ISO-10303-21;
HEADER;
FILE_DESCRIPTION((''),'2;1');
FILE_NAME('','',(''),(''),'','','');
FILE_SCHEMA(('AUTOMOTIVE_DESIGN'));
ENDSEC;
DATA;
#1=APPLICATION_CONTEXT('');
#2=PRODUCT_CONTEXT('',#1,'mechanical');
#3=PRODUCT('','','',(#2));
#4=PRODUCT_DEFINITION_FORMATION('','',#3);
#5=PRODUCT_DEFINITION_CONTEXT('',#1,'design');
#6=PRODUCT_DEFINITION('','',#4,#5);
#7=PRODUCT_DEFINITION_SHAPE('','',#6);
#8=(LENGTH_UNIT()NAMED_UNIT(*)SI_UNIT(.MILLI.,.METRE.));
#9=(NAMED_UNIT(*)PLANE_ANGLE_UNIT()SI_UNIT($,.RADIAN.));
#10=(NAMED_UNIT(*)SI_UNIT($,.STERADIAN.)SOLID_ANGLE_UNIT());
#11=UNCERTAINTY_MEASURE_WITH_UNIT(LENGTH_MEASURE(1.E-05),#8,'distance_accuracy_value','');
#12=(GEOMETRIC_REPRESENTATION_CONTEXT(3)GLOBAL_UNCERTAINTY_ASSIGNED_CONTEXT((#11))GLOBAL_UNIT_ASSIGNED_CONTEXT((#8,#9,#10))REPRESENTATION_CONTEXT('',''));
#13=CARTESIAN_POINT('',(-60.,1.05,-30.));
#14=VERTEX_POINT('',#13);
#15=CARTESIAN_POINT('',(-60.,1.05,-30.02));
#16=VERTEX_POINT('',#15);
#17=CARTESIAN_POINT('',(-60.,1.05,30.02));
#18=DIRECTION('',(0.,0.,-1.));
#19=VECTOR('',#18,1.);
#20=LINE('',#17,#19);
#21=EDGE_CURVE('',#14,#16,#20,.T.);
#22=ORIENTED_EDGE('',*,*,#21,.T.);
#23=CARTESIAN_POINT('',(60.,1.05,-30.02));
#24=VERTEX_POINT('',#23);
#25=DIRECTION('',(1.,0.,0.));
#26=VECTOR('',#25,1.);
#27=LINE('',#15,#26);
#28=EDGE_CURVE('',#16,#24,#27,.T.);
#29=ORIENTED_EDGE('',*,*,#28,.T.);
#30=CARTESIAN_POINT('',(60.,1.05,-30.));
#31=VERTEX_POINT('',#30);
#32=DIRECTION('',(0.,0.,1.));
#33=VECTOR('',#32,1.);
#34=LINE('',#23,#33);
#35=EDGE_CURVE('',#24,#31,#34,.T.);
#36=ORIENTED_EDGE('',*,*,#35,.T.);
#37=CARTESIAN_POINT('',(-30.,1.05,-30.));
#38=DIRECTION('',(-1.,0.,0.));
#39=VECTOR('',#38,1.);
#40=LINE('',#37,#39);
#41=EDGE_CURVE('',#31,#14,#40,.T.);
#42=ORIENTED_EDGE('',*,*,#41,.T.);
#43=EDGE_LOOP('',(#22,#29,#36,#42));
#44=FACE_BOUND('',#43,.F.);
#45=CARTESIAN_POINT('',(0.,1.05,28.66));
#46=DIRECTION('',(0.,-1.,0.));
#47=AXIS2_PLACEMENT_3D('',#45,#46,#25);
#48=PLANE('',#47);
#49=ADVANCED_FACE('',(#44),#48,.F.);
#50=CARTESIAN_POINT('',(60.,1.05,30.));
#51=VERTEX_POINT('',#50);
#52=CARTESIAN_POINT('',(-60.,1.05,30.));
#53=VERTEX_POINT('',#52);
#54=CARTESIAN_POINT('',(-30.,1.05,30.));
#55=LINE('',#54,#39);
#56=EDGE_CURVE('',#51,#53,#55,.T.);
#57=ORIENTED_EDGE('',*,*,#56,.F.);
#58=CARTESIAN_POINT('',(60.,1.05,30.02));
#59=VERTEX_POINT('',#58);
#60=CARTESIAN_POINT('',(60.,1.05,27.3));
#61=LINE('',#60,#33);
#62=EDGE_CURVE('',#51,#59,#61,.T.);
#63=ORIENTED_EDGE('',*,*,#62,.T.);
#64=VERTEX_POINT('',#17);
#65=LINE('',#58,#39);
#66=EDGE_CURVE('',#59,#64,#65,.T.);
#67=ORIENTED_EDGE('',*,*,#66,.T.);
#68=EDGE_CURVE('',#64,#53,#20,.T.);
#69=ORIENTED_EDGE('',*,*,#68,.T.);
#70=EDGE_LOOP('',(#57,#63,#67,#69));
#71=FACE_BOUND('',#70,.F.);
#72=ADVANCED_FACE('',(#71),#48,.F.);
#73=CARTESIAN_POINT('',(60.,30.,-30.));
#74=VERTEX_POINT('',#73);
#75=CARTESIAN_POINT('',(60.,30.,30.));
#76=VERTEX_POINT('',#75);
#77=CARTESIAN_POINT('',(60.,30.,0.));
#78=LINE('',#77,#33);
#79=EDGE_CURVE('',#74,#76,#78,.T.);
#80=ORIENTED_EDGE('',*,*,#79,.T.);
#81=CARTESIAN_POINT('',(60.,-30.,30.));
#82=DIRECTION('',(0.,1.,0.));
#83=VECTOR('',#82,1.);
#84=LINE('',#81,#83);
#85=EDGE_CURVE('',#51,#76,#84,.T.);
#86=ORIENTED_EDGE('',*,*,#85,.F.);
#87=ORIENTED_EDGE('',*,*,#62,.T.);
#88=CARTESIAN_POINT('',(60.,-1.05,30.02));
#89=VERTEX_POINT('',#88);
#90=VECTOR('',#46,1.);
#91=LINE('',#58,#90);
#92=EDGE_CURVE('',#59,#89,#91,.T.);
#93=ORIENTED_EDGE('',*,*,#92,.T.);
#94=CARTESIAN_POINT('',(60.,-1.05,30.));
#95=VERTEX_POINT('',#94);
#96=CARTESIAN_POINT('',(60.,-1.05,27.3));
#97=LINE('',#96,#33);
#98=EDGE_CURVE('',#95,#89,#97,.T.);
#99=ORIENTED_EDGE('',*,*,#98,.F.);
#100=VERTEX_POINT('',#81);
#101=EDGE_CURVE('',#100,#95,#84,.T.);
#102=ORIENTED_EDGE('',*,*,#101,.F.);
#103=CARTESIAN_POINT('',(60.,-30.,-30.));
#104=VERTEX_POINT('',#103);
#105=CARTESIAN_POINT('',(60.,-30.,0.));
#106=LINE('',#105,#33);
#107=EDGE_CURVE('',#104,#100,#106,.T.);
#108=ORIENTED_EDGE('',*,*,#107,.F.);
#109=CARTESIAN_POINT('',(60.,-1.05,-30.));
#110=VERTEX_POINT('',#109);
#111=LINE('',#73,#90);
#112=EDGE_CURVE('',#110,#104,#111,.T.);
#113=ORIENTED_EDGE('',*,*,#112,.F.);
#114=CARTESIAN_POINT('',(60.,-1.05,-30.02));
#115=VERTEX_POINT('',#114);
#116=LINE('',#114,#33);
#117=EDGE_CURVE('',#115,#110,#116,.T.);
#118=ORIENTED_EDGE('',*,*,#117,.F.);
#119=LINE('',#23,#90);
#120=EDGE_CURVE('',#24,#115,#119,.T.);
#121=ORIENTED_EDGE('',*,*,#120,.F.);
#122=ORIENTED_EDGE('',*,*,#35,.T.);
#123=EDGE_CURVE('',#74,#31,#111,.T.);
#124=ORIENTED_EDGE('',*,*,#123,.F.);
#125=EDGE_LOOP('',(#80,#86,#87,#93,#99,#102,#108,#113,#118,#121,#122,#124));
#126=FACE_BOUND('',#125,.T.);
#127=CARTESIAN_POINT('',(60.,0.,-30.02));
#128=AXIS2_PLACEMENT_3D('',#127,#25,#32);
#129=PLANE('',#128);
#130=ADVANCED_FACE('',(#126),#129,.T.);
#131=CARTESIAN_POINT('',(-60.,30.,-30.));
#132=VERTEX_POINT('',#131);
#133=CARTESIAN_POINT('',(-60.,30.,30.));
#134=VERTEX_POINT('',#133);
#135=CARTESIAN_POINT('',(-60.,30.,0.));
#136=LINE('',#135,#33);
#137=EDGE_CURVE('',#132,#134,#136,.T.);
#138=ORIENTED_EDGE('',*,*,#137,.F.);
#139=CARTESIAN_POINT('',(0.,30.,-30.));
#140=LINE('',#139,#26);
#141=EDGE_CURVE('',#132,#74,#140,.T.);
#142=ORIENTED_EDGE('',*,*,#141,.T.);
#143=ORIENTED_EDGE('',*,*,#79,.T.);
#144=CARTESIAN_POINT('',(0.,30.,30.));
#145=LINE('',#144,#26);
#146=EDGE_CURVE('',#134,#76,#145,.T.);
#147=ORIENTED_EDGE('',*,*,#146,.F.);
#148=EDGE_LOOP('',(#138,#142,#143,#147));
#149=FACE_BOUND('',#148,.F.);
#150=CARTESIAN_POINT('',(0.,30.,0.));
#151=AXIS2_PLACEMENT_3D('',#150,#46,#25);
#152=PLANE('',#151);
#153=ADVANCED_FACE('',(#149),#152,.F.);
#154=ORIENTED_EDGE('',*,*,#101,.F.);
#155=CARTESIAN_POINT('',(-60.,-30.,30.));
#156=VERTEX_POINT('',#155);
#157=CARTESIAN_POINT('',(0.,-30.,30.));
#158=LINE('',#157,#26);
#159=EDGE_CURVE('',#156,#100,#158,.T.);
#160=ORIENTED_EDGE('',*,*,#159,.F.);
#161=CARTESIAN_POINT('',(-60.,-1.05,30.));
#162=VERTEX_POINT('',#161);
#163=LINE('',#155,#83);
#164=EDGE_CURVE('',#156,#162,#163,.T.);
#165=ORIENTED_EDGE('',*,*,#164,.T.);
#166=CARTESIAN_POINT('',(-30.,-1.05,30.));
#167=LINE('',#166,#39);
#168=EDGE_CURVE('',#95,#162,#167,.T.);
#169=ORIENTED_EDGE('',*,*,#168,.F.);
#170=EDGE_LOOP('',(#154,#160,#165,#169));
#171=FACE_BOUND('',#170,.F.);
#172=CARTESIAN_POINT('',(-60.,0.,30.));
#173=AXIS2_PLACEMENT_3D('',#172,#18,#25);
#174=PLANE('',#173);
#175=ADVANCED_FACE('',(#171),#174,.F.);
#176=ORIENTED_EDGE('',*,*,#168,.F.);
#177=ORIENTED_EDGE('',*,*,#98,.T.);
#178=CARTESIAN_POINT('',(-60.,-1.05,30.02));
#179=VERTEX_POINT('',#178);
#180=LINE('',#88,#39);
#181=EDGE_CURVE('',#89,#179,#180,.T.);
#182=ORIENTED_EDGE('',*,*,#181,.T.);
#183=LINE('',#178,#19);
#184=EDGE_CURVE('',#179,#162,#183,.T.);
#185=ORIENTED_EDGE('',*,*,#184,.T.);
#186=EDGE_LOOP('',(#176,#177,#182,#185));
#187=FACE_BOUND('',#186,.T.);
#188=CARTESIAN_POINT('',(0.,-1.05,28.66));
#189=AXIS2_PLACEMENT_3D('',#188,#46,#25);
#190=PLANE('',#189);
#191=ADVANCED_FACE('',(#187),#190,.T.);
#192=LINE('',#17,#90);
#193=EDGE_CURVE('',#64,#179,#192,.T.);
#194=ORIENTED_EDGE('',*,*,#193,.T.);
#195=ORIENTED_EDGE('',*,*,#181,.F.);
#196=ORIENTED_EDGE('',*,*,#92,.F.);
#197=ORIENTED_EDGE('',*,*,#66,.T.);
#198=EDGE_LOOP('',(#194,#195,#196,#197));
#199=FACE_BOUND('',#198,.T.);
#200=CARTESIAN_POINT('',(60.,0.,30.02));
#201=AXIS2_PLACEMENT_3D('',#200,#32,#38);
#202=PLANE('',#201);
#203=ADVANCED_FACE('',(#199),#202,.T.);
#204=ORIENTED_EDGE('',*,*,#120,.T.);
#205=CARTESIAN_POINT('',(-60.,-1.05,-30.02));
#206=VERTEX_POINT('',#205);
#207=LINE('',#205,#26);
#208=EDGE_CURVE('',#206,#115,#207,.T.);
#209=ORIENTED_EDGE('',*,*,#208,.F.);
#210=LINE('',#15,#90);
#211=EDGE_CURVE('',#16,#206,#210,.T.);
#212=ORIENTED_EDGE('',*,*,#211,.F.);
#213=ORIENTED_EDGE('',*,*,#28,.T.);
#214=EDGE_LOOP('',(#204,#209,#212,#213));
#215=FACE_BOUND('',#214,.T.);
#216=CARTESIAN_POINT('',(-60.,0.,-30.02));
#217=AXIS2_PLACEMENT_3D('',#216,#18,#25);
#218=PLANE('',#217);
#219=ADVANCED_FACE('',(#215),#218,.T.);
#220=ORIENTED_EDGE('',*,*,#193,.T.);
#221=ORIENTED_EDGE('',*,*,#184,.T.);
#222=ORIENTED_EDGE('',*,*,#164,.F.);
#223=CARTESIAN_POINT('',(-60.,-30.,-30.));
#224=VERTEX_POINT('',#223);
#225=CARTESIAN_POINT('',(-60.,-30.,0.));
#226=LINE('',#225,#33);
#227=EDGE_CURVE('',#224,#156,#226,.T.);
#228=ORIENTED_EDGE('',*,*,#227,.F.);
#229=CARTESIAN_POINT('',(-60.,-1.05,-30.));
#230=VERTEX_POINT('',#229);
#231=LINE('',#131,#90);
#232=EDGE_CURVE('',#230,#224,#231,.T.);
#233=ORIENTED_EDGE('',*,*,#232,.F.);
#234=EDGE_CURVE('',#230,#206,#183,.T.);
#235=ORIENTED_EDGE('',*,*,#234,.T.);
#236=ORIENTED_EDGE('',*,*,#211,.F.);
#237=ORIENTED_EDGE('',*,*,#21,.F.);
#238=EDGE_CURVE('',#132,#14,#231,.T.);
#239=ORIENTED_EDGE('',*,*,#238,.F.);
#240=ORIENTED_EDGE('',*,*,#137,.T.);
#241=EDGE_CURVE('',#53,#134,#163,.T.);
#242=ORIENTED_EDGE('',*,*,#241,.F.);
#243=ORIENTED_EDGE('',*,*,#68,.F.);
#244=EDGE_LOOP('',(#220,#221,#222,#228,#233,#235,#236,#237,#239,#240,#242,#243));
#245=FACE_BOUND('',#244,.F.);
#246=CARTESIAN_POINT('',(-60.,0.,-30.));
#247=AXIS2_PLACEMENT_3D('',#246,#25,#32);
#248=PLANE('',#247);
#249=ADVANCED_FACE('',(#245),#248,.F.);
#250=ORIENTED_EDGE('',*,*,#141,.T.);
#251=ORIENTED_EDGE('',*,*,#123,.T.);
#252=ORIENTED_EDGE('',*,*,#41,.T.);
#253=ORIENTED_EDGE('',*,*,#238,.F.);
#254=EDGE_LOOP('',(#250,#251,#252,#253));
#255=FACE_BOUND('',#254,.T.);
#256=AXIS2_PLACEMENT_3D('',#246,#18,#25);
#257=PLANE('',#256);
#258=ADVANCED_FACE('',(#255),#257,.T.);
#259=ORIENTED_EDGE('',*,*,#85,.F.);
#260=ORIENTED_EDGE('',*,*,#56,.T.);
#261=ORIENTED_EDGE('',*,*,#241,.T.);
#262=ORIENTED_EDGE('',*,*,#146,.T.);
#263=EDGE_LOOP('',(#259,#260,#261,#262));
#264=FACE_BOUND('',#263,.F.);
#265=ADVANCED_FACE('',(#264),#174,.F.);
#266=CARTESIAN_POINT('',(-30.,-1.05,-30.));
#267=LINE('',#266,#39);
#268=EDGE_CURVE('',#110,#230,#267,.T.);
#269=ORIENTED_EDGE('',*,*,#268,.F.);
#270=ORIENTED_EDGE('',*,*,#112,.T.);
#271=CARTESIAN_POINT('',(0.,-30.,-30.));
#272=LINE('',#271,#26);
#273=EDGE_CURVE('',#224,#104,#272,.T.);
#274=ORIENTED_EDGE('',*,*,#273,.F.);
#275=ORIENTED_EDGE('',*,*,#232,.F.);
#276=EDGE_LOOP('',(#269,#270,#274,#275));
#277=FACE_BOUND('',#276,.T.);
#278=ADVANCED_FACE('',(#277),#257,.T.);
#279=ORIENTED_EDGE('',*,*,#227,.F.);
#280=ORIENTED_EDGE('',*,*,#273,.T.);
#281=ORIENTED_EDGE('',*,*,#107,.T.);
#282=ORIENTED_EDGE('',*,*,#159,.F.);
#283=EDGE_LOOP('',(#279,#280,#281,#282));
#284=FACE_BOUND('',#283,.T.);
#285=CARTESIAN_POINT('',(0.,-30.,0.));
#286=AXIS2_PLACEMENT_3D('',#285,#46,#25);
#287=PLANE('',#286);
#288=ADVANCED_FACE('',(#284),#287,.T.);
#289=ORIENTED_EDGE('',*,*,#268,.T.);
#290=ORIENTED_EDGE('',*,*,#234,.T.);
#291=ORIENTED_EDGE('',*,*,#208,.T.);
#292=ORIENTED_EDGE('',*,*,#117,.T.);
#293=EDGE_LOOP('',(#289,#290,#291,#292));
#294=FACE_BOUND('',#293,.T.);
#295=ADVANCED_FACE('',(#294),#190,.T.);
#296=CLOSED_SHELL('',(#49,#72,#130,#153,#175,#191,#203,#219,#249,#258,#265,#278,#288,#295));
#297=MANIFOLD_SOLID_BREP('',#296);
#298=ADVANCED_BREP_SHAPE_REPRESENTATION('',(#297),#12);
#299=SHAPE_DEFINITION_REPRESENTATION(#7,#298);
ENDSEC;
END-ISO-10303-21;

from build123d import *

# Parameters (mm, degrees)
F0_W     = 120
F0_H     = 60
F1_DEPTH = 30
F2_W     = 4.332021
F2_H     = 54.6
F2_W_2   = 4.302548
F3_DEPTH = 1.05


with BuildPart() as f1:
    # F0 (on Front) → F1 (new body, symmetric)
    with BuildSketch(Plane.XZ):
        Rectangle(F0_W, F0_H)
    extrude(amount=F1_DEPTH, both=True)

    # F2 (on Front) → F3 (join, symmetric)
    with BuildSketch(Plane.XZ):
        Polygon((59.720043, 27.3), (60, 27.3), (60, 30.02), (-60, 30.02), (-60, 27.3), (-55.697452, 27.3), (55.388022, 27.3), align=None)
        with Locations((57.554032, 0)):
            Rectangle(F2_W, F2_H)
        Polygon((60, -27.3), (59.720043, -27.3), (55.388022, -27.3), (-55.697452, -27.3), (-60, -27.3), (-60, -30.02), (60, -30.02), align=None)
        with Locations((-57.848726, 0)):
            Rectangle(F2_W_2, F2_H)
    extrude(amount=F3_DEPTH, both=True)


solid = f1.part
